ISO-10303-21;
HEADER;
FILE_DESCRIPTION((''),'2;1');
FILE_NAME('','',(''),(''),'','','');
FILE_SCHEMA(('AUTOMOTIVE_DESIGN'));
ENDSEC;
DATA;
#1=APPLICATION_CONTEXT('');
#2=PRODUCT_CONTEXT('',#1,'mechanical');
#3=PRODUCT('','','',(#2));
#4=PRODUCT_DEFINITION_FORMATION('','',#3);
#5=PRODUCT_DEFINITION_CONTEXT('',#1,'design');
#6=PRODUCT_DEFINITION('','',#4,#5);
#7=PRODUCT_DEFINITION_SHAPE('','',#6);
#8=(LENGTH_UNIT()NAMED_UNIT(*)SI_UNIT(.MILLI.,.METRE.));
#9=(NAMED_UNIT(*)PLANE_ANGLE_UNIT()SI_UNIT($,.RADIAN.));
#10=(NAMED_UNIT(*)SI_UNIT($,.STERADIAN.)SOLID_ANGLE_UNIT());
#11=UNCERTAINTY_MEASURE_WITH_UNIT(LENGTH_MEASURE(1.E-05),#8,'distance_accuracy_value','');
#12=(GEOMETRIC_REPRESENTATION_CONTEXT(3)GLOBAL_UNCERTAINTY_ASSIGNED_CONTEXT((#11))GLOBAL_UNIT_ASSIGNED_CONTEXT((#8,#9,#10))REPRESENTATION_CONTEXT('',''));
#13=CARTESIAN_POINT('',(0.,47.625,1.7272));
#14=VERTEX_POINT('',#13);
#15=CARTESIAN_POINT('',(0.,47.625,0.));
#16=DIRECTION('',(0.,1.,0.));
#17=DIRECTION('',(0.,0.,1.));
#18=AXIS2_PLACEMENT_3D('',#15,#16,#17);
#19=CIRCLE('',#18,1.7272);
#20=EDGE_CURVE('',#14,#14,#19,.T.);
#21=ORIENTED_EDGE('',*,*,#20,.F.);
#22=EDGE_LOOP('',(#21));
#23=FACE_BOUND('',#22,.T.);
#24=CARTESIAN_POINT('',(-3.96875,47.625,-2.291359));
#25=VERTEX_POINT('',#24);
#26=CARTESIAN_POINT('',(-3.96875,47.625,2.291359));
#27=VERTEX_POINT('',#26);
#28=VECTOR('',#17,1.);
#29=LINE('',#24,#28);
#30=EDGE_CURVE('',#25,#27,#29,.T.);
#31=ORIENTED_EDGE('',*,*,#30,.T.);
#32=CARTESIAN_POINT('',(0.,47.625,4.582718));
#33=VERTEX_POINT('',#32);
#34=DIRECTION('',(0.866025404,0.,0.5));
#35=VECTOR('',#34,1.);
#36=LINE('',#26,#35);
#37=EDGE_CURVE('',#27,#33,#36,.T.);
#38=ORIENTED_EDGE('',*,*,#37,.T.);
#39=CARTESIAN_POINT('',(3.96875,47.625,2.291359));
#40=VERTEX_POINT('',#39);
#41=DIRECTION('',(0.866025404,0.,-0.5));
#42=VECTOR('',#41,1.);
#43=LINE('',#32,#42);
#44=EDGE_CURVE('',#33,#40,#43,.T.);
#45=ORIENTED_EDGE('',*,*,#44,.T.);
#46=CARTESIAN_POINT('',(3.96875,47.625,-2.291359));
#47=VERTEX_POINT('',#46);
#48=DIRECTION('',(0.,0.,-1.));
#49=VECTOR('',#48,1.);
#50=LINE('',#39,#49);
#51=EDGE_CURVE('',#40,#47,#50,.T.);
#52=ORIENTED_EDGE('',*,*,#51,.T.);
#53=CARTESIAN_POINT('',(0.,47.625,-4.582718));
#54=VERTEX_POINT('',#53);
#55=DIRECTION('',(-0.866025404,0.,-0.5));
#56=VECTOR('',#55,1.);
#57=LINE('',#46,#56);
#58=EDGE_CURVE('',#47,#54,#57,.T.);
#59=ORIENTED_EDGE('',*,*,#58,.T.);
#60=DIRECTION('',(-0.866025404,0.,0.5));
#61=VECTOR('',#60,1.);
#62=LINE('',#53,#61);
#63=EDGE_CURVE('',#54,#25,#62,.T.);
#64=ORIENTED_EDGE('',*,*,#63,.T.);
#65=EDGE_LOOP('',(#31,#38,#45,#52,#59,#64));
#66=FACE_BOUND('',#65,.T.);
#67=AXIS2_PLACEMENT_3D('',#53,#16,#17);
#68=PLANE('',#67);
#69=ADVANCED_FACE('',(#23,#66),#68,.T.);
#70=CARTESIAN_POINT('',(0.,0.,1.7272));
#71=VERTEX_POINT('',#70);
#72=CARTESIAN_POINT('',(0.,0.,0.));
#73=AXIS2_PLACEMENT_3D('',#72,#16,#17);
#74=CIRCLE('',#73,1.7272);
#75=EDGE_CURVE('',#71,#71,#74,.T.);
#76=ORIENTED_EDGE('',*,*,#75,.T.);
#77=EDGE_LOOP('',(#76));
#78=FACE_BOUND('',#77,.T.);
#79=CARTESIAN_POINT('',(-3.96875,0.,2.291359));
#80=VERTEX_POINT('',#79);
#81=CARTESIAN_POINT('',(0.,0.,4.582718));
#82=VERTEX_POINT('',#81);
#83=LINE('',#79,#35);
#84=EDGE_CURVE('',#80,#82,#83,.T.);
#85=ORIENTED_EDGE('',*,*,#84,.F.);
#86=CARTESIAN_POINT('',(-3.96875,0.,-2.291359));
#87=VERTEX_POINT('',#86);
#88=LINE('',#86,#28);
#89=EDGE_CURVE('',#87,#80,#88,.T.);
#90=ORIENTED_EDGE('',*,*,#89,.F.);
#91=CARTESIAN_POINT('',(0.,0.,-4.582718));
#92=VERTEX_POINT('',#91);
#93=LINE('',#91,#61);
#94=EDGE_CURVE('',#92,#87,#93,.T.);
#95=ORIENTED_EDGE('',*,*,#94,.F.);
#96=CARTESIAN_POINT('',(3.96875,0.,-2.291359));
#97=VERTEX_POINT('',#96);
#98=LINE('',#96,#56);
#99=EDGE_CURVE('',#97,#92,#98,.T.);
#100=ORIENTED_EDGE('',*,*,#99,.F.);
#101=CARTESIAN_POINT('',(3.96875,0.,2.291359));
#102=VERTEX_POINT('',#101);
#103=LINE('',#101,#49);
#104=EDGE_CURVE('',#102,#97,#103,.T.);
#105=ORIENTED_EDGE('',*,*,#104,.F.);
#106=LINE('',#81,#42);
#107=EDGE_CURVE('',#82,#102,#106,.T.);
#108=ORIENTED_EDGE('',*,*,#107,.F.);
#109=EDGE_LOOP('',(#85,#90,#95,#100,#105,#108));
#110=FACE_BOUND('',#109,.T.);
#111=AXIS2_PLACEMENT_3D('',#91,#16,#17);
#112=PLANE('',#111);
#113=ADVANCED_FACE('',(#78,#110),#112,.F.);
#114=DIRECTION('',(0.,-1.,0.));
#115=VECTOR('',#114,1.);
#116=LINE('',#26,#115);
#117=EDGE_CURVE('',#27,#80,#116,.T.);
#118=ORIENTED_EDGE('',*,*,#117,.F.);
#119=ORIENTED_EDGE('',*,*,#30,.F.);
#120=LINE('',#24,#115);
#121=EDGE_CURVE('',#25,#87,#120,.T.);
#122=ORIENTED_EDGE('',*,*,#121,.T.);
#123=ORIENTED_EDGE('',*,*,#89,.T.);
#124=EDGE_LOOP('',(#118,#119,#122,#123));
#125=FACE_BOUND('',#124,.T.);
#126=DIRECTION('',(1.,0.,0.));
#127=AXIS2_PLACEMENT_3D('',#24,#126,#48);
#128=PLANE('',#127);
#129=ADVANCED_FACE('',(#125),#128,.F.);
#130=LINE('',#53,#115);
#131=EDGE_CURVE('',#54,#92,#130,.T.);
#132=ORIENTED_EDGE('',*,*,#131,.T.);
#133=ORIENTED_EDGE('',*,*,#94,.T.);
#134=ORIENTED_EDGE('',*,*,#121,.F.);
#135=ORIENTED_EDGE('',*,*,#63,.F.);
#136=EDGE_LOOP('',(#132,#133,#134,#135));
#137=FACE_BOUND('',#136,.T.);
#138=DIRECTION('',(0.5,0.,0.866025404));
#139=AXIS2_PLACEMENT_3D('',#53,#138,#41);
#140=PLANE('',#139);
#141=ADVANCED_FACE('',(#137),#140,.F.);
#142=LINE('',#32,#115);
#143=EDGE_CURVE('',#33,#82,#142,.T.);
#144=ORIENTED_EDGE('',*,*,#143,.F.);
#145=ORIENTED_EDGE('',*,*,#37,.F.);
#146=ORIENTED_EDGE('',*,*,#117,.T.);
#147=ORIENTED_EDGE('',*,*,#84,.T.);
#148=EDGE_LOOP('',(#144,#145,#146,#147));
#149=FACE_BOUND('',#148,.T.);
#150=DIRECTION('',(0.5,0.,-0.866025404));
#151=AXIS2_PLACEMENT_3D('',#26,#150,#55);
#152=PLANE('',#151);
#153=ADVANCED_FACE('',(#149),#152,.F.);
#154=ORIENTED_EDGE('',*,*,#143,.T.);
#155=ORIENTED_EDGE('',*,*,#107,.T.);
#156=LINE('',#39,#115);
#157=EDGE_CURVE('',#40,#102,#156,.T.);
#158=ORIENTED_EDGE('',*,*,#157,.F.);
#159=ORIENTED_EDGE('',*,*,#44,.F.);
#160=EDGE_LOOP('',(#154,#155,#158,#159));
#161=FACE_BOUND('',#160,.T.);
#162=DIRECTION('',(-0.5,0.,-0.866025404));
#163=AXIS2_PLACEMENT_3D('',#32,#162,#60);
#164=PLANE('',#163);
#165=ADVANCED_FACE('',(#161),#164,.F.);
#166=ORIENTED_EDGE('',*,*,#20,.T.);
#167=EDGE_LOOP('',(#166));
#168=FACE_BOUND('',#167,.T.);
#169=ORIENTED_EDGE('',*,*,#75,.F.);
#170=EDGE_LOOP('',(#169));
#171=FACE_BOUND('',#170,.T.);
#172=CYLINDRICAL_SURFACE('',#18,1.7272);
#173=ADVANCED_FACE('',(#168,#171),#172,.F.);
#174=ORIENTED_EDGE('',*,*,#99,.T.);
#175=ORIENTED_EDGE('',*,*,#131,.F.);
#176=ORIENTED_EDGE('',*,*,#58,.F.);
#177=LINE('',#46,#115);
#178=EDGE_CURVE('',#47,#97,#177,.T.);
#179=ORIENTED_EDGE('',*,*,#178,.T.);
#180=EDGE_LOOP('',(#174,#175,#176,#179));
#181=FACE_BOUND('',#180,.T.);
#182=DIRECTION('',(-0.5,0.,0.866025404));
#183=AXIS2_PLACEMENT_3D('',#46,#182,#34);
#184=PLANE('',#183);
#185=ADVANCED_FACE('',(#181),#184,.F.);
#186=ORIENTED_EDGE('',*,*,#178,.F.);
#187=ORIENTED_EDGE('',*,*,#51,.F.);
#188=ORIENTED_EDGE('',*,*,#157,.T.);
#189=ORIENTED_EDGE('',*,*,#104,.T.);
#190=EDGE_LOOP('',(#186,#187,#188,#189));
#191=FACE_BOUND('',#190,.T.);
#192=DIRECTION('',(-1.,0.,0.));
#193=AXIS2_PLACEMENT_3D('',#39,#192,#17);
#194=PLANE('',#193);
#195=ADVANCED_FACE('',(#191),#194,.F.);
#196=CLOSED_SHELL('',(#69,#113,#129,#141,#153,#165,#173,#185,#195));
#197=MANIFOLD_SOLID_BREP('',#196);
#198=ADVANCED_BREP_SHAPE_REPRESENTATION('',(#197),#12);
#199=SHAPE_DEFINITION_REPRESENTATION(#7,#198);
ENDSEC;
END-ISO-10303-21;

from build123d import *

# Parameters (mm, degrees)
BOSS_EXTRUDE1_DEPTH   = 47.625
F_8_32_TAPPED_HOLE1_D = 3.4544


with BuildPart() as part:
    # Sketch1 → Boss-Extrude1 (new body)
    with BuildSketch(Plane(origin=(0, 0, 0), x_dir=(1, 0, 0), z_dir=(0, 1, 0))):
        Polygon((0, 4.582717762), (-3.96875, 2.291358881), (-3.96875, -2.291358881), (0, -4.582717762), (3.96875, -2.291358881), (3.96875, 2.291358881), align=None)
    extrude(amount=BOSS_EXTRUDE1_DEPTH)

    # #8-32 Tapped Hole1 (through all)
    with Locations(Plane(origin=(0, 47.625, 0), x_dir=(-1, 0, 0), z_dir=(0, 1, 0))):
        with Locations((0, 0)):
            Hole(F_8_32_TAPPED_HOLE1_D / 2)


solid = part.part
